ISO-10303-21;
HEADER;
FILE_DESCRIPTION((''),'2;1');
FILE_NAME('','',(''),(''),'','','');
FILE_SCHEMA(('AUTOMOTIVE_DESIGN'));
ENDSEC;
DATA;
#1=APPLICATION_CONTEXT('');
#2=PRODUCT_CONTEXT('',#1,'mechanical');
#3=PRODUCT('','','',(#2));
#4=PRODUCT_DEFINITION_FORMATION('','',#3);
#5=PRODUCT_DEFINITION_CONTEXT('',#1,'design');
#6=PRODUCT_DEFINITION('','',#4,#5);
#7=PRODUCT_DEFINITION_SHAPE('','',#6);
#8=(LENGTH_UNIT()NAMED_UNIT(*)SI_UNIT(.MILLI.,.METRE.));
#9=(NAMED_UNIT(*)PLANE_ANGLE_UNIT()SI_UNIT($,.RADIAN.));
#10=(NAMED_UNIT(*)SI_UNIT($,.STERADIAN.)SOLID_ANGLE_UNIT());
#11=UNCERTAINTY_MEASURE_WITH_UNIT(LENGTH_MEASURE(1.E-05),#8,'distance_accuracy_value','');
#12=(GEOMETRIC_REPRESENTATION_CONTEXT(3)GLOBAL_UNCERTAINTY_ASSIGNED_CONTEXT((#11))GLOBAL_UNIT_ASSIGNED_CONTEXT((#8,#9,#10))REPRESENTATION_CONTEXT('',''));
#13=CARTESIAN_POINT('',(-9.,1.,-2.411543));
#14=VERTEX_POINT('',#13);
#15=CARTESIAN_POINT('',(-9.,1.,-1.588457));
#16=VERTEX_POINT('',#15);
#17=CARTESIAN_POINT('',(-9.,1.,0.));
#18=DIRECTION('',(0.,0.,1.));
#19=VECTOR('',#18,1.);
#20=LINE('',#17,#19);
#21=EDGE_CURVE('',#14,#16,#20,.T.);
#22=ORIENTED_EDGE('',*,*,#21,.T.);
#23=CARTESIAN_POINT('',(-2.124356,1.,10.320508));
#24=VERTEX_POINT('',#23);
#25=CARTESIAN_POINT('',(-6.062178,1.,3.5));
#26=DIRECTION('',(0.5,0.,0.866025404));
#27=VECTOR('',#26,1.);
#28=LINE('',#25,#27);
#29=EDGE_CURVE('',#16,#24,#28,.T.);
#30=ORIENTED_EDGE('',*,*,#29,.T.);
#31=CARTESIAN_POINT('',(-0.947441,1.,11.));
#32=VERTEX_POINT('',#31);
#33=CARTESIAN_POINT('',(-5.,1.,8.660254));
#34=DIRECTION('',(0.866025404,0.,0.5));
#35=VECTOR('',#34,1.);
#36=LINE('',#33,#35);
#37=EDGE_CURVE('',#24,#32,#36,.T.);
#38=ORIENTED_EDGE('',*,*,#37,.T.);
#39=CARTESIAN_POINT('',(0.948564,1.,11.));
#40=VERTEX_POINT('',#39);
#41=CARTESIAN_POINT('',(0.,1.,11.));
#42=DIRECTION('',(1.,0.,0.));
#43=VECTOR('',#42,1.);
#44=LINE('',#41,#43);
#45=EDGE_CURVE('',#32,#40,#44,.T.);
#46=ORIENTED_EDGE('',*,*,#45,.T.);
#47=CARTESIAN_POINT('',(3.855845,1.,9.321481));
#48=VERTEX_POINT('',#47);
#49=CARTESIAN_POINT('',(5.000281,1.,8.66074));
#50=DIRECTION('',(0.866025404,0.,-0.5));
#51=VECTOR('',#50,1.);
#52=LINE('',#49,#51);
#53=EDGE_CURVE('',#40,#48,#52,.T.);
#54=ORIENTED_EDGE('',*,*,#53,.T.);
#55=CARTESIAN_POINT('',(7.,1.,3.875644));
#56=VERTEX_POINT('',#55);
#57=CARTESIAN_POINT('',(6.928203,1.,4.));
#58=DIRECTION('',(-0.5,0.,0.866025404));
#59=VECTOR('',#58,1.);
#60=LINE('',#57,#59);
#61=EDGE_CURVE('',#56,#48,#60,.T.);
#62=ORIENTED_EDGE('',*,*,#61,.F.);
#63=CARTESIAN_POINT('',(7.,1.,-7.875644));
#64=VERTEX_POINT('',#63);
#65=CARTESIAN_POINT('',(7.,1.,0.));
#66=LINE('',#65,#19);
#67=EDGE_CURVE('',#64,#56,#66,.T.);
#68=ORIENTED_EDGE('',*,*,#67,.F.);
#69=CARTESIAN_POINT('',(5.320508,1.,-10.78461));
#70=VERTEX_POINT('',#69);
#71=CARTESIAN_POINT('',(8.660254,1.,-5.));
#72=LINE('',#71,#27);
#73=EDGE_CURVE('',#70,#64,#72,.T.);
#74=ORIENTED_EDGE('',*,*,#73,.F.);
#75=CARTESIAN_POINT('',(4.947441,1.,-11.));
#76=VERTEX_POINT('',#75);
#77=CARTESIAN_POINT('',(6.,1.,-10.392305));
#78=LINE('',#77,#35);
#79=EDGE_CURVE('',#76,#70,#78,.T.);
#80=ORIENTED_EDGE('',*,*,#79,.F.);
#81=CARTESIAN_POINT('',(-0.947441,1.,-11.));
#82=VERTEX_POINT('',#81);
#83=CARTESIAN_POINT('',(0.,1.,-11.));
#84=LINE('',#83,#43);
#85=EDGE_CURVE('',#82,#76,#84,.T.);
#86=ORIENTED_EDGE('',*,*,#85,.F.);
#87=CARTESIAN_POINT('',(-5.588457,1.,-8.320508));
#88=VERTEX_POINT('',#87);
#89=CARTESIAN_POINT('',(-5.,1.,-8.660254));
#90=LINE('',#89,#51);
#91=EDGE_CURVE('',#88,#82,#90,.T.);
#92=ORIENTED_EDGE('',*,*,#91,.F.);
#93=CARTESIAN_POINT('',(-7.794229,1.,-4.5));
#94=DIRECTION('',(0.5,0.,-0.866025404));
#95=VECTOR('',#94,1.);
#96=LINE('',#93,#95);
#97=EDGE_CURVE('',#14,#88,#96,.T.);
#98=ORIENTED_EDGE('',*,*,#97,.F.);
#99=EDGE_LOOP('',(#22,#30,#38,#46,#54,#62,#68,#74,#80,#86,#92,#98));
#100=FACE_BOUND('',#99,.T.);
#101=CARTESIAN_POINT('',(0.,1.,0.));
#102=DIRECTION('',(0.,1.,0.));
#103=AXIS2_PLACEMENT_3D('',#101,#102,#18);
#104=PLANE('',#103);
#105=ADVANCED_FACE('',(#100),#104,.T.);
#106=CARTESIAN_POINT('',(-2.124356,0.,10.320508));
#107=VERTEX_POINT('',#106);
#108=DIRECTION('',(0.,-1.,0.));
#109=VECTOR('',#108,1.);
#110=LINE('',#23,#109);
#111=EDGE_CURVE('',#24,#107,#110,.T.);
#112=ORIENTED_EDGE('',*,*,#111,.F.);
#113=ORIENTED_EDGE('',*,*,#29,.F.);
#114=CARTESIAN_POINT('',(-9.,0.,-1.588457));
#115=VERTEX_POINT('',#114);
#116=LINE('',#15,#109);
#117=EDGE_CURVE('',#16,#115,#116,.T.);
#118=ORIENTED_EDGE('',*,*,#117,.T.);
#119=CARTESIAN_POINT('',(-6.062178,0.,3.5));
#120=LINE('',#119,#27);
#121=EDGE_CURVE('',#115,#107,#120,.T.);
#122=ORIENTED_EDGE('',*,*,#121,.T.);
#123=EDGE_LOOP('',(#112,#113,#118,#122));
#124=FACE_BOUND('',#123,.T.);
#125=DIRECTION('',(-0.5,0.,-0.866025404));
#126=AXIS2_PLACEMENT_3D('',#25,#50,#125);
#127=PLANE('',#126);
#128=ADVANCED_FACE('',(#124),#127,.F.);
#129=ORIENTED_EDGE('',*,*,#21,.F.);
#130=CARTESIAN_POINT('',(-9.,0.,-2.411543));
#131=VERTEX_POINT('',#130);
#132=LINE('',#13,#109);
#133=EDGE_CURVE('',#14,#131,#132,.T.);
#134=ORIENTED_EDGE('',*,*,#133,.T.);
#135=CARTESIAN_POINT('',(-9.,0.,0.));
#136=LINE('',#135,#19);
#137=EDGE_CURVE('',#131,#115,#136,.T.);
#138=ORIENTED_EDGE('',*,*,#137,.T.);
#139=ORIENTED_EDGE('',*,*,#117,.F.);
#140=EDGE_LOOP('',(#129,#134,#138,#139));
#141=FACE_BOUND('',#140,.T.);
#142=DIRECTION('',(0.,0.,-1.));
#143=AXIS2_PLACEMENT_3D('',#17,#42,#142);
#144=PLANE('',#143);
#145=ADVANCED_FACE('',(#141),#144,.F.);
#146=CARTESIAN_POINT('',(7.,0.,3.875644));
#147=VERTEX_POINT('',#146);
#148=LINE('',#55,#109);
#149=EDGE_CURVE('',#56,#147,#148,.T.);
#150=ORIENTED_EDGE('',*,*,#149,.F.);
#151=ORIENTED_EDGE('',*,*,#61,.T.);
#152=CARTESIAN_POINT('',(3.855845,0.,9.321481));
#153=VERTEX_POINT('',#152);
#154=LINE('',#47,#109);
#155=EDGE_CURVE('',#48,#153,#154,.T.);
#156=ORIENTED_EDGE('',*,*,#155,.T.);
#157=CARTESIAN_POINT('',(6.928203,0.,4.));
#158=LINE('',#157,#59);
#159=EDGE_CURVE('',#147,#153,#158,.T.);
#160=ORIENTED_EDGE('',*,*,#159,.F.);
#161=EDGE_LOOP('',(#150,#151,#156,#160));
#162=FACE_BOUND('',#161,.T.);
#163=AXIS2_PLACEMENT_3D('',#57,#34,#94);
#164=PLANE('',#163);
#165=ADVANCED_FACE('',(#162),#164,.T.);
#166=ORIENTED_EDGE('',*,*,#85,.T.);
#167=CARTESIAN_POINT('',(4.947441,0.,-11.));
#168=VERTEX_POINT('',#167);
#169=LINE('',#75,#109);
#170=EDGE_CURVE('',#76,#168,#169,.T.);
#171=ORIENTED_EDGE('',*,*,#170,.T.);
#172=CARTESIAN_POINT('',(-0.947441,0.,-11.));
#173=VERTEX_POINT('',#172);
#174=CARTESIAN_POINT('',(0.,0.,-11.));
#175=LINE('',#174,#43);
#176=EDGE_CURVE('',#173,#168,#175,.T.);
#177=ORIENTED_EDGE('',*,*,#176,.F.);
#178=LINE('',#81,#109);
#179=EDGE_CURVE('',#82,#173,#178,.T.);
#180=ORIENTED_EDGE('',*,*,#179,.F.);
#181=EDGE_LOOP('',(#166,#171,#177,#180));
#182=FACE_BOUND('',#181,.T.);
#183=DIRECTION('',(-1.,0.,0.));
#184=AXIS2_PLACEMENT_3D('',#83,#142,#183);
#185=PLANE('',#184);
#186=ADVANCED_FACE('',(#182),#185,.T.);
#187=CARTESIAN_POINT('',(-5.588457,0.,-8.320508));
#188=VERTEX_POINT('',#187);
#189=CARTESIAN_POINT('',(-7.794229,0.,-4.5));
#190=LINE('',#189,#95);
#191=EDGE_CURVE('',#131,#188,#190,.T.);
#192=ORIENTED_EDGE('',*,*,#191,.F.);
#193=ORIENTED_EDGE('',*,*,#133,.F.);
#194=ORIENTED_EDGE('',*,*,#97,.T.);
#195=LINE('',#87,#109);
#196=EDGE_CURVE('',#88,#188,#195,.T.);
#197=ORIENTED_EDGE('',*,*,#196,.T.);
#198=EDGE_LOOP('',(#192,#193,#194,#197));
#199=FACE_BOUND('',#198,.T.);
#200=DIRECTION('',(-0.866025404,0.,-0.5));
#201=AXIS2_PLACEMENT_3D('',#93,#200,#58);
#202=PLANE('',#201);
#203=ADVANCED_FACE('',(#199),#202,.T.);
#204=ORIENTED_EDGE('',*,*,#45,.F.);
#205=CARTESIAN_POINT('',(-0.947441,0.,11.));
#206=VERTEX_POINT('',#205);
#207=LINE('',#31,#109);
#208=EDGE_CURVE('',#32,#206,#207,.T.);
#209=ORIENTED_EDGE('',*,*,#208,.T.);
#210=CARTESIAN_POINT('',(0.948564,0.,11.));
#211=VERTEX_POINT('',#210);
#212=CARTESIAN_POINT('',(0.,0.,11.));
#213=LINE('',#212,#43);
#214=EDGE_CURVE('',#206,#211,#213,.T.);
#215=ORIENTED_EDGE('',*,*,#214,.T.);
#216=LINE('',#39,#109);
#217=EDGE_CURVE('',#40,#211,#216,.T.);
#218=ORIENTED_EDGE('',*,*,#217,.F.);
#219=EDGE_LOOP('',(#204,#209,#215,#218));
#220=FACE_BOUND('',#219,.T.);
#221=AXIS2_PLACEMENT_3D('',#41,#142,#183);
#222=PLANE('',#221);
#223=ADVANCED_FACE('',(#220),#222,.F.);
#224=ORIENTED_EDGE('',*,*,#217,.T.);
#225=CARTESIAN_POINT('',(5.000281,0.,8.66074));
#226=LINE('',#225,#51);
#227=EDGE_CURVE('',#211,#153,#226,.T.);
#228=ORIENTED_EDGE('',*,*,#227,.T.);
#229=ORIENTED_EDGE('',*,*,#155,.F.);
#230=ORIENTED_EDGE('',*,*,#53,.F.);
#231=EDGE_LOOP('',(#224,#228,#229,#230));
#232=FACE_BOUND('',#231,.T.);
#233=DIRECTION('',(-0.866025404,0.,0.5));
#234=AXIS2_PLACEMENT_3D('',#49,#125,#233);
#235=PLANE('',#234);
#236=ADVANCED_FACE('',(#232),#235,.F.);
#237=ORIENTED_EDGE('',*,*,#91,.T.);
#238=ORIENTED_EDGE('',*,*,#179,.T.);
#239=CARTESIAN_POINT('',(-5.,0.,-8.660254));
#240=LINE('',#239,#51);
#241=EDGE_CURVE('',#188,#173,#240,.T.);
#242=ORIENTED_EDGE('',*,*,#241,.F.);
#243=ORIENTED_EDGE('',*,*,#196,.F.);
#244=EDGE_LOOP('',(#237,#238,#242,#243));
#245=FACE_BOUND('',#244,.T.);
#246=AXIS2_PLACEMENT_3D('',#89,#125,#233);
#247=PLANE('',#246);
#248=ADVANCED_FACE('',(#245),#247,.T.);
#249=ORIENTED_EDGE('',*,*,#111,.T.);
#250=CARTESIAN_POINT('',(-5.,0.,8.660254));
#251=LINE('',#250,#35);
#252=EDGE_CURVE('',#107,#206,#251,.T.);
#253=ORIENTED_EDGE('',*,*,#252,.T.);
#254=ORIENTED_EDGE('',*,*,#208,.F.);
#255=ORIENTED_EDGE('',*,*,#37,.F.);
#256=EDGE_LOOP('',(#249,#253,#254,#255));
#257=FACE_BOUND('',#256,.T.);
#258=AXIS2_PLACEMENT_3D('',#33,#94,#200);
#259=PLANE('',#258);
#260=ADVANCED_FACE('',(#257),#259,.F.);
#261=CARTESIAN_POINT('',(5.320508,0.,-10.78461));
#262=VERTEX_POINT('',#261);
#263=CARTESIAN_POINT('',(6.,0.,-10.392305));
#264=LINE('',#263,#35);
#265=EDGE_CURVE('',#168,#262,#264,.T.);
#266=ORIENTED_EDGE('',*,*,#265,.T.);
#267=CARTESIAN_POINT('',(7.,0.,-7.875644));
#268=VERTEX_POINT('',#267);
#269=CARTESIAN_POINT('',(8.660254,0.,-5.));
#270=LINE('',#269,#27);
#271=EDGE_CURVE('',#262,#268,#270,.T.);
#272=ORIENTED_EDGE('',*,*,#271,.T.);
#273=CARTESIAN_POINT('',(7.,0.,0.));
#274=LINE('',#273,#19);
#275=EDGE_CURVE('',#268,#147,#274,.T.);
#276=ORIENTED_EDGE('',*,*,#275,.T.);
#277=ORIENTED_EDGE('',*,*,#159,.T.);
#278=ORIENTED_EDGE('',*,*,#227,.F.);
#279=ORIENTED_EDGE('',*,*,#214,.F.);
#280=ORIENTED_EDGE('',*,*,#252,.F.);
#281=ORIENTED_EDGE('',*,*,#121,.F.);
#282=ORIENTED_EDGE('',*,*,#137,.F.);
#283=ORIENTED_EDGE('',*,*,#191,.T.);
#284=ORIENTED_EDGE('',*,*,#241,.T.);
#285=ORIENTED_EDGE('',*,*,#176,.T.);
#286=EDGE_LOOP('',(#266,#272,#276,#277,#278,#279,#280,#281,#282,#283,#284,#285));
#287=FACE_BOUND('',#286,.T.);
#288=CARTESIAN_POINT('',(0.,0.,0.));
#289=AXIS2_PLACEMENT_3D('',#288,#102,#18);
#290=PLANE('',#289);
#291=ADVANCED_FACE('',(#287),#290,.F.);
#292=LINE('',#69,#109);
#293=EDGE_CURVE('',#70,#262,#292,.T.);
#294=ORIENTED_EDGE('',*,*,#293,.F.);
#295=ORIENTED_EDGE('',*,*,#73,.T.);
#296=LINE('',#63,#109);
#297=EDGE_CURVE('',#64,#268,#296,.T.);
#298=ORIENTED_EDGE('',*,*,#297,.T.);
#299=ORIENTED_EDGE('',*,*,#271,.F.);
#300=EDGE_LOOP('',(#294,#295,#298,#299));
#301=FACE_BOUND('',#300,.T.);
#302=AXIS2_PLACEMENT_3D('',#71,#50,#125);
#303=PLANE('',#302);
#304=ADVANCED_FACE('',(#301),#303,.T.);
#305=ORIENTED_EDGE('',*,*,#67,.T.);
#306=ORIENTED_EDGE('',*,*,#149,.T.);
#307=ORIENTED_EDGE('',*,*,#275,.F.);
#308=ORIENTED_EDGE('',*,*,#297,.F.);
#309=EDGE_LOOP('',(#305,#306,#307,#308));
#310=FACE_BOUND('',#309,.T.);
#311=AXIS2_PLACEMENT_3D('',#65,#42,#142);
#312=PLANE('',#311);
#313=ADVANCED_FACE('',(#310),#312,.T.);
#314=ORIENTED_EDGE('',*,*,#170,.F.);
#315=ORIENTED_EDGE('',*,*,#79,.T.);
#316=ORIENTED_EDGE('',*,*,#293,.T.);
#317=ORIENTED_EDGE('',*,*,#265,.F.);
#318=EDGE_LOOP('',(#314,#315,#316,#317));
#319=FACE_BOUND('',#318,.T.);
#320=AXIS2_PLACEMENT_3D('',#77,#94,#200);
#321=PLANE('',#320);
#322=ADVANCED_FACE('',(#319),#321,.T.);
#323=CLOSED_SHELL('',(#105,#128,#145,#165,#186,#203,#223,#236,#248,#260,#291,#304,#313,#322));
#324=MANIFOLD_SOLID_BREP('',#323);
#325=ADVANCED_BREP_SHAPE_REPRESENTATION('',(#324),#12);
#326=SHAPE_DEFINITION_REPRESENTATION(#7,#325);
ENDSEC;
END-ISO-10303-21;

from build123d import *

# Parameters (mm, degrees)
AUFSATZ_LINEAR_AUSTRAGEN1_DEPTH = 1


with BuildPart() as part:
    # Skizze1 → Aufsatz-Linear austragen1 (new body)
    with BuildSketch(Plane(origin=(0, 0, 0), x_dir=(1, 0, 0), z_dir=(0, 1, 0))):
        Polygon((4.947441117, 11), (-0.947441117, 11), (-5.588457268, 8.320508076), (-9, 2.411542732), (-9, 1.588457268), (-2.124355653, -10.320508076), (-0.947441117, -11), (0.948564057, -11), (3.855844991, -9.32148057), (7, -3.875644347), (7, 7.875644347), (5.320508076, 10.784609691), align=None)
    extrude(amount=AUFSATZ_LINEAR_AUSTRAGEN1_DEPTH)


solid = part.part
